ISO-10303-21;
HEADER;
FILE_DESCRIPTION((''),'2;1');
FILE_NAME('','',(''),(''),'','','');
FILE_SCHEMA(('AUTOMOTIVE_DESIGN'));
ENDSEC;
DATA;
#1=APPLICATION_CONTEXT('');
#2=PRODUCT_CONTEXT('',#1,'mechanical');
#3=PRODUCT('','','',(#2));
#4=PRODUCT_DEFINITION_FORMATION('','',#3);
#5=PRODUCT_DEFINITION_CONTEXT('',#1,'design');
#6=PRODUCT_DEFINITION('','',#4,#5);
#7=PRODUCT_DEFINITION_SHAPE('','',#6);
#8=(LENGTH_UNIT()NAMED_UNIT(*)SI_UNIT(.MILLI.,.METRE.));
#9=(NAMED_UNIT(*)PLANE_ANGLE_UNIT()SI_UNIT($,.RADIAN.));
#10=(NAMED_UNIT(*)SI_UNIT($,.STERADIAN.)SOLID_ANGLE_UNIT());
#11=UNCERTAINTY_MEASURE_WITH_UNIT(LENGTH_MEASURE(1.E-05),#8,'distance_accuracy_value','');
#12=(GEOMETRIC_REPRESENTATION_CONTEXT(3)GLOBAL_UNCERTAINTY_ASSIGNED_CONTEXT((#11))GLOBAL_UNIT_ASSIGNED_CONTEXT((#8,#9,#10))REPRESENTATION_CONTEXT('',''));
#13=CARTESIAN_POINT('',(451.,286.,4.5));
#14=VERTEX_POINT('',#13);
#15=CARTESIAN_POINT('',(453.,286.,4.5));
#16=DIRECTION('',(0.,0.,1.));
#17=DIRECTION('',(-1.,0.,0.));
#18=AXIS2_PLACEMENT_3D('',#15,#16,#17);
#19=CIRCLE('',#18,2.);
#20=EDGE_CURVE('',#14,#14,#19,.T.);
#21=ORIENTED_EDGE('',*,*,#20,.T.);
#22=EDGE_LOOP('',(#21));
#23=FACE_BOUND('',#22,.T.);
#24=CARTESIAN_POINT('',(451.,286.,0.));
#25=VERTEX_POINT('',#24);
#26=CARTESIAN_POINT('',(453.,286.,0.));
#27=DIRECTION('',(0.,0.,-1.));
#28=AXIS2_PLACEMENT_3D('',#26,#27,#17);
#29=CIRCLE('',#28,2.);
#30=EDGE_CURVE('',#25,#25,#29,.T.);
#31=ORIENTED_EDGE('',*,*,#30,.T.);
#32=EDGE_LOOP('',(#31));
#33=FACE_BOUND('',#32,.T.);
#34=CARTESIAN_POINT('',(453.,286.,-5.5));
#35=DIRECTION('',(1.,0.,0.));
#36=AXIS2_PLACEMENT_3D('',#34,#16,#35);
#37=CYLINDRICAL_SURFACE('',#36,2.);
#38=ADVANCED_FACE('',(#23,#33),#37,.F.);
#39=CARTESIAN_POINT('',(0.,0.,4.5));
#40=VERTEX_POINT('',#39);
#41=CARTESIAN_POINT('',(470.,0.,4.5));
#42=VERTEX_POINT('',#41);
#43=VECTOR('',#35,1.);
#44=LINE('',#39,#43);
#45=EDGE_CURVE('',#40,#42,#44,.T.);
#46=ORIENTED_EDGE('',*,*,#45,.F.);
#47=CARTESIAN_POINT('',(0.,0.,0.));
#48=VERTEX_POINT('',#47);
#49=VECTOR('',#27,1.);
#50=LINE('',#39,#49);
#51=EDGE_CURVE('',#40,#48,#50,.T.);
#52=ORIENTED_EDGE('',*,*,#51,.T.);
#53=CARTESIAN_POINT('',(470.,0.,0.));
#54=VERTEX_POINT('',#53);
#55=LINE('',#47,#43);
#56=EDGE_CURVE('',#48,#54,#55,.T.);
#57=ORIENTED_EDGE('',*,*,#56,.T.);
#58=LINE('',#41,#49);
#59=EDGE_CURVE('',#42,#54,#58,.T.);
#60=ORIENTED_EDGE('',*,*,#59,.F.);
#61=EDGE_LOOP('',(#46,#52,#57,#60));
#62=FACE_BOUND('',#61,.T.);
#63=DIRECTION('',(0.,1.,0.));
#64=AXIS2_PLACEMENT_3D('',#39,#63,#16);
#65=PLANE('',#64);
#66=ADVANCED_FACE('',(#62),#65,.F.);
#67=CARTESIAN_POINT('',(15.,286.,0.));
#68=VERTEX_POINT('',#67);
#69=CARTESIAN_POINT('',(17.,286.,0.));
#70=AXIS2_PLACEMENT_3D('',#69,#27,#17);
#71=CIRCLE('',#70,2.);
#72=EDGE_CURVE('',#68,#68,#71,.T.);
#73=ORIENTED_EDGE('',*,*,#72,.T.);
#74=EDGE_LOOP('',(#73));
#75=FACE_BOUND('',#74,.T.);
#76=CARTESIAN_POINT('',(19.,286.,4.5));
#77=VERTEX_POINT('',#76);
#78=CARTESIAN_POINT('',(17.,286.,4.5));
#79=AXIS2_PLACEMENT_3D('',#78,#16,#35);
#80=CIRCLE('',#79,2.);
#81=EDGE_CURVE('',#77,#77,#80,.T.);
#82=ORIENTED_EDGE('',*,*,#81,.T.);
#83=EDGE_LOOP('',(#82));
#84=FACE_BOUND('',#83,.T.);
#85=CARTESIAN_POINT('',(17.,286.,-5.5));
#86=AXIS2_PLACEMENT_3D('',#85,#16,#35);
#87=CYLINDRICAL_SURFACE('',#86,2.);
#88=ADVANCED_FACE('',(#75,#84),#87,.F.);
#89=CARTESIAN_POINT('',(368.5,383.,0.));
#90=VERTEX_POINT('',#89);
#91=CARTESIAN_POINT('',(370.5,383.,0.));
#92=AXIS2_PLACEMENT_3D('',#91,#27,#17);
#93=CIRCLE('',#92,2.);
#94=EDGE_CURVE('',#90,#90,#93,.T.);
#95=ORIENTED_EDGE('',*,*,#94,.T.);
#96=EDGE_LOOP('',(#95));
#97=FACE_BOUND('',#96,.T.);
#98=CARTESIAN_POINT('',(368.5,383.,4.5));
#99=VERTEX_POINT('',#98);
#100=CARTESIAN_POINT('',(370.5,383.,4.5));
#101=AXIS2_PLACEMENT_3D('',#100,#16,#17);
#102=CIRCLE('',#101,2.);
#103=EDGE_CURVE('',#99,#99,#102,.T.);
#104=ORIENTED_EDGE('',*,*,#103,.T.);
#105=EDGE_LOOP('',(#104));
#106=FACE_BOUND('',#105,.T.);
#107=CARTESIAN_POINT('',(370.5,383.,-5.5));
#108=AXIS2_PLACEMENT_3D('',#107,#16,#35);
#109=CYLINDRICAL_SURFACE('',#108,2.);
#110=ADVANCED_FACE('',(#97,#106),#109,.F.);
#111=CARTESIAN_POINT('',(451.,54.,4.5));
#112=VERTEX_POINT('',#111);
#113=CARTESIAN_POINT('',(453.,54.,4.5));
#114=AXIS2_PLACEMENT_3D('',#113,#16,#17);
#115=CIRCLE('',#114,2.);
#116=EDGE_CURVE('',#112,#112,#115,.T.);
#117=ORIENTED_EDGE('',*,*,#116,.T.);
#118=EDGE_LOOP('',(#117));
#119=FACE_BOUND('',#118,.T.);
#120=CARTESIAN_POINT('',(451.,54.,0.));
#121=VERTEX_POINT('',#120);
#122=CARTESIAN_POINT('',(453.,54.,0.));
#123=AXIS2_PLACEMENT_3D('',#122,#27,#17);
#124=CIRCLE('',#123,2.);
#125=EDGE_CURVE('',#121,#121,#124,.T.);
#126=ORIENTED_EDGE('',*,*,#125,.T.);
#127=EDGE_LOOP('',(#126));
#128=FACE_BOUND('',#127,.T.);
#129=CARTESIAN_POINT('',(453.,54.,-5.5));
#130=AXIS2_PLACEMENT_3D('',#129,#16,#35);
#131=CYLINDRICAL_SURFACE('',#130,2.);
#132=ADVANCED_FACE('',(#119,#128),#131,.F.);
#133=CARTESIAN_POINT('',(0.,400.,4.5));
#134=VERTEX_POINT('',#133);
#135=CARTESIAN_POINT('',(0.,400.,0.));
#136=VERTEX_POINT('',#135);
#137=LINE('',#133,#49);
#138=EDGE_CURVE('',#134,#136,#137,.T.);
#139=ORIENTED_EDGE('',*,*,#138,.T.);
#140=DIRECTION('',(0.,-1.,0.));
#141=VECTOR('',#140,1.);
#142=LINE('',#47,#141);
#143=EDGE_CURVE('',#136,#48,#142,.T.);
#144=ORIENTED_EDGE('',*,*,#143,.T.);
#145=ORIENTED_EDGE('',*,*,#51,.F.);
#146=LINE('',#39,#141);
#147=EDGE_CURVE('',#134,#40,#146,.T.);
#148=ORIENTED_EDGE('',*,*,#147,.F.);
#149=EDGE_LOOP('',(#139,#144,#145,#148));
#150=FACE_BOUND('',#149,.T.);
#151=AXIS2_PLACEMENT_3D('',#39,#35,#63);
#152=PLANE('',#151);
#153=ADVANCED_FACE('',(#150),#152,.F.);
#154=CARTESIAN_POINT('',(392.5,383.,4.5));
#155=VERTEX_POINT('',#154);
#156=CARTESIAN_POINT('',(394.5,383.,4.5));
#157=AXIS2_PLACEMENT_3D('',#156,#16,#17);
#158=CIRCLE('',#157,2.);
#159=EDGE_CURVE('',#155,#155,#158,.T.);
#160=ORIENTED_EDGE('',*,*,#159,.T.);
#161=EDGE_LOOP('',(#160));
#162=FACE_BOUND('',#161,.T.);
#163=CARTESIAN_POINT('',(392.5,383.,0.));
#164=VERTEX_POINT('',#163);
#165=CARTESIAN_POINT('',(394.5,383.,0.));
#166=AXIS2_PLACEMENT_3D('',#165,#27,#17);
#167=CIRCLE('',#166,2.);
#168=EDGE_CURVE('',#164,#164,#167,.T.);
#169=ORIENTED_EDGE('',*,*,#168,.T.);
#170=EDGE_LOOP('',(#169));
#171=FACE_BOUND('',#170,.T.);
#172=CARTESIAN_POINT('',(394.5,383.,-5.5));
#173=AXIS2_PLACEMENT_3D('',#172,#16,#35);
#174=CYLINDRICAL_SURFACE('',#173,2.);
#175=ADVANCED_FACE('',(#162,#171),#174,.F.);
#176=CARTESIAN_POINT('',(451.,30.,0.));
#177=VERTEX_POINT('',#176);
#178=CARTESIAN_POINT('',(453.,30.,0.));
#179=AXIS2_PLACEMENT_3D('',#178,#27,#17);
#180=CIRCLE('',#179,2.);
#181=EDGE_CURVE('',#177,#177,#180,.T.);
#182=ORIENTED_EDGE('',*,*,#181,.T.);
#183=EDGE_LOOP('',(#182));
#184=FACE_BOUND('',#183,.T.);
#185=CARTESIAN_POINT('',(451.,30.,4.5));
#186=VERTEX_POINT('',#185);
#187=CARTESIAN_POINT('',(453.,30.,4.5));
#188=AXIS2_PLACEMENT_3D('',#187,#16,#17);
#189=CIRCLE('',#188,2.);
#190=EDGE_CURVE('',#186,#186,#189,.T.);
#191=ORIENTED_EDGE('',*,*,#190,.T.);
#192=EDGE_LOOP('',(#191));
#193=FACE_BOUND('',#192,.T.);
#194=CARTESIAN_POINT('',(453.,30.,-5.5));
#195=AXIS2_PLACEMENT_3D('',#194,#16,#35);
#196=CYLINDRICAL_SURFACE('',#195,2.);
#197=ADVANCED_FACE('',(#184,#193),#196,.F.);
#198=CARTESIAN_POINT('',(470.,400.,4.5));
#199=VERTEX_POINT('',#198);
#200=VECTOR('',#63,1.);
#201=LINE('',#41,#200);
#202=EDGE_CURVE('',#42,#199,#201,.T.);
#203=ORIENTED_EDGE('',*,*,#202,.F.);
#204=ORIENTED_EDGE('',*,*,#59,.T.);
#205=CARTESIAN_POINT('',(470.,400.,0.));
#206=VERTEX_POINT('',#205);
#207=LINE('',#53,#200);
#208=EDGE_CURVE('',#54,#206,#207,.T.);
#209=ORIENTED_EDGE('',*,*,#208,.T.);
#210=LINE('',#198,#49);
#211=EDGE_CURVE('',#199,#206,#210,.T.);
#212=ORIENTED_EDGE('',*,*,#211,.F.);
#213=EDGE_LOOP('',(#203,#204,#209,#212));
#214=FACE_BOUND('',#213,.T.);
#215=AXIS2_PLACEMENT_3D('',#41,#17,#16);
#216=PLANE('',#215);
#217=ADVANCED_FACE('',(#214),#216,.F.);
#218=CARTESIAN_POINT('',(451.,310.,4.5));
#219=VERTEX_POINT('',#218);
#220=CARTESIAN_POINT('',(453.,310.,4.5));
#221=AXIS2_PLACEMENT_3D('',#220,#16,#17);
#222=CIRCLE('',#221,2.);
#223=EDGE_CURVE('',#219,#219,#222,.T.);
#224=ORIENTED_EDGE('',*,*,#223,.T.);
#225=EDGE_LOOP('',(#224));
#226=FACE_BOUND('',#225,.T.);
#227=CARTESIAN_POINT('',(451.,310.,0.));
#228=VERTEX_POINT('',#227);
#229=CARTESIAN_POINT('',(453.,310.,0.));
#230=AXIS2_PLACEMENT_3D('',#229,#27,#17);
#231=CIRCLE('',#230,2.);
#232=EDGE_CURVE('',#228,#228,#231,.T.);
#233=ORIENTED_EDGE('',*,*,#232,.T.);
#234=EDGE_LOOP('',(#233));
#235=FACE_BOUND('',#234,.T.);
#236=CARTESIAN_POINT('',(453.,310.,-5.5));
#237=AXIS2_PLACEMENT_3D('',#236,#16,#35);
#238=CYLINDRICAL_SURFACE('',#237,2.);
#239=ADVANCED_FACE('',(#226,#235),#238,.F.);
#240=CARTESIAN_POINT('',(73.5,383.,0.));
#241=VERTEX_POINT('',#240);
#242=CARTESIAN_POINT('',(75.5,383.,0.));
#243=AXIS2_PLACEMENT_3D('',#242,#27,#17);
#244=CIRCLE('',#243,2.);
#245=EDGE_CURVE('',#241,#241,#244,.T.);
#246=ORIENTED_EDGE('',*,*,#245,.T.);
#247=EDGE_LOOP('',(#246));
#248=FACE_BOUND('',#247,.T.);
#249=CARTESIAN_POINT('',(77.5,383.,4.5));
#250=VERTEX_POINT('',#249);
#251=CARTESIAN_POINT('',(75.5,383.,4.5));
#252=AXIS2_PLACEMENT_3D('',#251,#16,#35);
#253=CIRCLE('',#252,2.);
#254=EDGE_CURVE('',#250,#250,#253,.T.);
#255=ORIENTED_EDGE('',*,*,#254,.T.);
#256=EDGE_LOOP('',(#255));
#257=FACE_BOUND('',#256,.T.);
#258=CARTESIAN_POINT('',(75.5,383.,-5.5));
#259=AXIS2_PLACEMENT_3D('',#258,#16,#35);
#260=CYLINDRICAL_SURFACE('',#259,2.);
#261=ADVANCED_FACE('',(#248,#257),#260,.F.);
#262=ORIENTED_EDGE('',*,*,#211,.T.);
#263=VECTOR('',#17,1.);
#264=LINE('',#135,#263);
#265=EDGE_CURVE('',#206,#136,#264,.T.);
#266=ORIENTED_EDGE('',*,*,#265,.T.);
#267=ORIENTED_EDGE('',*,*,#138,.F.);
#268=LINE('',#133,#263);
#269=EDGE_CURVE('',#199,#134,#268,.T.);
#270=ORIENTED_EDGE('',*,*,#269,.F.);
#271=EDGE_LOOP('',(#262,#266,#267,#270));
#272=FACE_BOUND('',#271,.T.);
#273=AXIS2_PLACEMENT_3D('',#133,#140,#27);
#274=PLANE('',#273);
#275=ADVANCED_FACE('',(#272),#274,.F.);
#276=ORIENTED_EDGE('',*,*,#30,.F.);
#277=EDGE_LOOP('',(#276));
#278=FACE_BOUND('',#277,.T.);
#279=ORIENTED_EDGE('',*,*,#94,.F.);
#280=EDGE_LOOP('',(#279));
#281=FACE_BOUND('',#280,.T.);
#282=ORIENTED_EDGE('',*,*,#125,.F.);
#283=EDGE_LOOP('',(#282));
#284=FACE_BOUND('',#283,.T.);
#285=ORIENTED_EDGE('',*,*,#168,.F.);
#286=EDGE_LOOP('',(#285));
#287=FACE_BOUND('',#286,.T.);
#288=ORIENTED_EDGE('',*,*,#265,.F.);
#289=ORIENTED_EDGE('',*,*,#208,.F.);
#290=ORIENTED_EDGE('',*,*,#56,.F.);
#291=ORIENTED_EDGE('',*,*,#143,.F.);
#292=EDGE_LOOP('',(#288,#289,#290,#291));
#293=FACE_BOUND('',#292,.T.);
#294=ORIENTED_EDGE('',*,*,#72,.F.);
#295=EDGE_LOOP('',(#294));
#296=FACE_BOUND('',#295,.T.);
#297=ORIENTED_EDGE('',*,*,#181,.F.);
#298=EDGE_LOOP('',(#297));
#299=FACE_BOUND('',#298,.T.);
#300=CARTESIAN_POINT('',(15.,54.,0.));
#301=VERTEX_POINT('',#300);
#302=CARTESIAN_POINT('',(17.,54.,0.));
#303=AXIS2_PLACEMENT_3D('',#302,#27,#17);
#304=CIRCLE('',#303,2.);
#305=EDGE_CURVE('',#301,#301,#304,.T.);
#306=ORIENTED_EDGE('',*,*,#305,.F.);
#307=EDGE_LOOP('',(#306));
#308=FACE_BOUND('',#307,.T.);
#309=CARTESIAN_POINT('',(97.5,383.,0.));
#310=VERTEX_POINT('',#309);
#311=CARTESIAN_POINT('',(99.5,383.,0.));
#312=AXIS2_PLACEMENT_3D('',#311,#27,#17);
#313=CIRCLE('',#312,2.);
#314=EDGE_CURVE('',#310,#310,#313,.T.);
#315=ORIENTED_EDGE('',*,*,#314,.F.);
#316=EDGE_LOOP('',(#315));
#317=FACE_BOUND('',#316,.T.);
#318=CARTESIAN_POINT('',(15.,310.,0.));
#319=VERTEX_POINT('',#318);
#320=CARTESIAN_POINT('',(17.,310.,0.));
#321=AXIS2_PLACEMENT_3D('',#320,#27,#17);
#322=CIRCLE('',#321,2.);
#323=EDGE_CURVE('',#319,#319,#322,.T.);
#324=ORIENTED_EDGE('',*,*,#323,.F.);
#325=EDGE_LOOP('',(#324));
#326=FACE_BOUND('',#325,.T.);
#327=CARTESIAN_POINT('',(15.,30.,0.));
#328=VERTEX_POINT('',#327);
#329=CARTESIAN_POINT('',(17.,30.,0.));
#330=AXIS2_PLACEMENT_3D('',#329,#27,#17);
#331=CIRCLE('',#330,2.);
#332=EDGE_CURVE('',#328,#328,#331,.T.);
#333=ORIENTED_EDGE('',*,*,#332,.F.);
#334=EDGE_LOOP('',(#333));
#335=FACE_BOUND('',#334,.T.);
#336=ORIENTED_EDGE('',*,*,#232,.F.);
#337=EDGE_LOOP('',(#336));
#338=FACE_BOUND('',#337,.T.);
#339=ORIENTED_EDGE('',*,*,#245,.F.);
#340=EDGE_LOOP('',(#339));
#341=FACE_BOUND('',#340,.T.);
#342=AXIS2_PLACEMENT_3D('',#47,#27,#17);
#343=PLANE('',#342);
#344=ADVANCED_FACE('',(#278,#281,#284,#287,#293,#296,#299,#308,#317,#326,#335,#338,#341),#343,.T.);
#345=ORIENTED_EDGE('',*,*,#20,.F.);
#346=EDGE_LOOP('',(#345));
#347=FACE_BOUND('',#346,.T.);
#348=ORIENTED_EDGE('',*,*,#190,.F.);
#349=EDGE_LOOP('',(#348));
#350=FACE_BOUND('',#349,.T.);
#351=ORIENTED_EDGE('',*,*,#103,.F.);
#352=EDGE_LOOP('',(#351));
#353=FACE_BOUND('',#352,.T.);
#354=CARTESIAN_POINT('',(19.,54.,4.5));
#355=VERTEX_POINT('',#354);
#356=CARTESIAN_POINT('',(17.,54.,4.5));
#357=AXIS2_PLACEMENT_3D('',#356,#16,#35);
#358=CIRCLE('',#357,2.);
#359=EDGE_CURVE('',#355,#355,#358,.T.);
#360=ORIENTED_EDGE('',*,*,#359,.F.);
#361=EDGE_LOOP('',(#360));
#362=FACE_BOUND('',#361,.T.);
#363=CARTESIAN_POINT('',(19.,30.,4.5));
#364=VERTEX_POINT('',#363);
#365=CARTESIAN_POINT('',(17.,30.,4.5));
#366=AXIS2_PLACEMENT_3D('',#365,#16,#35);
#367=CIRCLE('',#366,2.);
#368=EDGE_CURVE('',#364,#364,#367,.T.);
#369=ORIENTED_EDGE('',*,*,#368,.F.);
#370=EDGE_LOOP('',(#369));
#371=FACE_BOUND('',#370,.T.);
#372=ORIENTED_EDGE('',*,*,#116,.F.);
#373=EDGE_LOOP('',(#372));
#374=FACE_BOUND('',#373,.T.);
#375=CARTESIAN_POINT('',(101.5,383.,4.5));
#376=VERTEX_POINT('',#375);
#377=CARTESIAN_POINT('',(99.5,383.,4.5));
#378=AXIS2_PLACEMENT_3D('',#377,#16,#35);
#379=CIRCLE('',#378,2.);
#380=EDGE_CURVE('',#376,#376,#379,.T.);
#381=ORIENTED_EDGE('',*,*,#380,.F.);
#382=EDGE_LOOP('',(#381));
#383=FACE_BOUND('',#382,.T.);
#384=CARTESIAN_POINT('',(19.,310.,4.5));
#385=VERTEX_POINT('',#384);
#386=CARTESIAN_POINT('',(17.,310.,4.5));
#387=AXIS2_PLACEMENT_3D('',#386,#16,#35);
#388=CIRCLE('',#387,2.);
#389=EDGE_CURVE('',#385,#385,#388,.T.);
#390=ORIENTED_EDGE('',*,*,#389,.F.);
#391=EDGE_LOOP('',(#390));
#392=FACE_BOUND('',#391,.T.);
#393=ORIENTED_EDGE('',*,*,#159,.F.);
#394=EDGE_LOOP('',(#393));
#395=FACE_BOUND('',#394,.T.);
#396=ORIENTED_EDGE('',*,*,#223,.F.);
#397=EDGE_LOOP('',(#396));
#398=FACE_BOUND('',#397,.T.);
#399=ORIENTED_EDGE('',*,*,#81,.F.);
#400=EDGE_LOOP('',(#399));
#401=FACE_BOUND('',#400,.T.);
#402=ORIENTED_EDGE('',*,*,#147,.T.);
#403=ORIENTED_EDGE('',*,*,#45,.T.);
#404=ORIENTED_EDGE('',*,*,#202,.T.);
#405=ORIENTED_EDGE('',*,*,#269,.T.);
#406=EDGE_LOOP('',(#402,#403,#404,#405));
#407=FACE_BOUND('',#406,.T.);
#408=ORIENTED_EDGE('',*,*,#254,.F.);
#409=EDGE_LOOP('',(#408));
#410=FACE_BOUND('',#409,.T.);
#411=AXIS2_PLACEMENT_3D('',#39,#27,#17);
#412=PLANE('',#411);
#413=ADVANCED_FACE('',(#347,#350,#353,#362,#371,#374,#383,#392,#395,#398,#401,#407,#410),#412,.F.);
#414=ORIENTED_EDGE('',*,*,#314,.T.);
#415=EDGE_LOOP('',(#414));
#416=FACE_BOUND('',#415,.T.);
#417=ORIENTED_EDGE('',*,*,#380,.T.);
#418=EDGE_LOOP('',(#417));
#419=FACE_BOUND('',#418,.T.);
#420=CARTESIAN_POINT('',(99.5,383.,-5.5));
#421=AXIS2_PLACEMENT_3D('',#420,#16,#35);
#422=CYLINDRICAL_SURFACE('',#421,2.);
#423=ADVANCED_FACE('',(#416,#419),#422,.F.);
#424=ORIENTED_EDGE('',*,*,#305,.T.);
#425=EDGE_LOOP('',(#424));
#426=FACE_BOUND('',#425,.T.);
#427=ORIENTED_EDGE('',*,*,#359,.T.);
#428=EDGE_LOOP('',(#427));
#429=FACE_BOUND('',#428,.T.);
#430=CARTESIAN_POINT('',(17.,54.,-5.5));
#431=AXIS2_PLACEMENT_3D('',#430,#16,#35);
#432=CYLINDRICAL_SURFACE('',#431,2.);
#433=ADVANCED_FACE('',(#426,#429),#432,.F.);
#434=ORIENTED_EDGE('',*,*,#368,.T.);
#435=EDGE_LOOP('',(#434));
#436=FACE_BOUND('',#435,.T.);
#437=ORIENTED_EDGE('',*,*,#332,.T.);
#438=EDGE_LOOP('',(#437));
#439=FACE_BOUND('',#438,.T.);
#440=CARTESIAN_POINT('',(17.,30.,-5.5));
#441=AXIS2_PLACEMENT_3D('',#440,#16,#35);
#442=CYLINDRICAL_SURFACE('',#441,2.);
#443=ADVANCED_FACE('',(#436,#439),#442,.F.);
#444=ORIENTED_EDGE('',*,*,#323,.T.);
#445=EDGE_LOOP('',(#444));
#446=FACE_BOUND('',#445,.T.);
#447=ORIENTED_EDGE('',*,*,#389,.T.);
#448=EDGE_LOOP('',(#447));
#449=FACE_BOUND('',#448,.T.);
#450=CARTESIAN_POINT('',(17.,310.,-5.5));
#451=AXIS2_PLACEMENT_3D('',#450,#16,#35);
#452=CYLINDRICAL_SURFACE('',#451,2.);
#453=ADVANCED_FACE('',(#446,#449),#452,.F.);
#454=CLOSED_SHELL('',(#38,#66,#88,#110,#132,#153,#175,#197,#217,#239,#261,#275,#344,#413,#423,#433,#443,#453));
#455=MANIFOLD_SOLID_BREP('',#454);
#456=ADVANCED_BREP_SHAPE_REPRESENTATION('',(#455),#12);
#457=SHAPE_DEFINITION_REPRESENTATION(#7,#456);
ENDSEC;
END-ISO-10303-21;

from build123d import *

# Parameters (mm, degrees)
SKETCH_1_W          = 470
SKETCH_1_H          = 400
EXTRUDE_1_DEPTH     = 4.5
SKETCH_2_R          = 2
CUT_EXTRUDE_1_DEPTH = 10


with BuildPart() as part:
    # 草图1 → 凸台-拉伸1 (new body)
    with BuildSketch(Plane.XY):
        with Locations((235, 200)):
            Rectangle(SKETCH_1_W, SKETCH_1_H)
    extrude(amount=EXTRUDE_1_DEPTH)

    # 草图2 → 切除-拉伸1 (cut)
    with BuildSketch(Plane.XY.offset(4.5)):
        with Locations((99.5, 383)):
            Circle(SKETCH_2_R)
        with Locations((75.5, 383)):
            Circle(SKETCH_2_R)
        with Locations((17, 310)):
            Circle(SKETCH_2_R)
        with Locations((17, 286)):
            Circle(SKETCH_2_R)
        with Locations((17, 54)):
            Circle(SKETCH_2_R)
        with Locations((17, 30)):
            Circle(SKETCH_2_R)
        with Locations(Location((453, 30, 0), (0, 0, 180))):
            Circle(SKETCH_2_R)
        with Locations(Location((453, 54, 0), (0, 0, 180))):
            Circle(SKETCH_2_R)
        with Locations(Location((453, 286, 0), (0, 0, 180))):
            Circle(SKETCH_2_R)
        with Locations(Location((453, 310, 0), (0, 0, 180))):
            Circle(SKETCH_2_R)
        with Locations(Location((394.5, 383, 0), (0, 0, 180))):
            Circle(SKETCH_2_R)
        with Locations(Location((370.5, 383, 0), (0, 0, 180))):
            Circle(SKETCH_2_R)
    extrude(amount=-CUT_EXTRUDE_1_DEPTH, mode=Mode.SUBTRACT)


solid = part.part
